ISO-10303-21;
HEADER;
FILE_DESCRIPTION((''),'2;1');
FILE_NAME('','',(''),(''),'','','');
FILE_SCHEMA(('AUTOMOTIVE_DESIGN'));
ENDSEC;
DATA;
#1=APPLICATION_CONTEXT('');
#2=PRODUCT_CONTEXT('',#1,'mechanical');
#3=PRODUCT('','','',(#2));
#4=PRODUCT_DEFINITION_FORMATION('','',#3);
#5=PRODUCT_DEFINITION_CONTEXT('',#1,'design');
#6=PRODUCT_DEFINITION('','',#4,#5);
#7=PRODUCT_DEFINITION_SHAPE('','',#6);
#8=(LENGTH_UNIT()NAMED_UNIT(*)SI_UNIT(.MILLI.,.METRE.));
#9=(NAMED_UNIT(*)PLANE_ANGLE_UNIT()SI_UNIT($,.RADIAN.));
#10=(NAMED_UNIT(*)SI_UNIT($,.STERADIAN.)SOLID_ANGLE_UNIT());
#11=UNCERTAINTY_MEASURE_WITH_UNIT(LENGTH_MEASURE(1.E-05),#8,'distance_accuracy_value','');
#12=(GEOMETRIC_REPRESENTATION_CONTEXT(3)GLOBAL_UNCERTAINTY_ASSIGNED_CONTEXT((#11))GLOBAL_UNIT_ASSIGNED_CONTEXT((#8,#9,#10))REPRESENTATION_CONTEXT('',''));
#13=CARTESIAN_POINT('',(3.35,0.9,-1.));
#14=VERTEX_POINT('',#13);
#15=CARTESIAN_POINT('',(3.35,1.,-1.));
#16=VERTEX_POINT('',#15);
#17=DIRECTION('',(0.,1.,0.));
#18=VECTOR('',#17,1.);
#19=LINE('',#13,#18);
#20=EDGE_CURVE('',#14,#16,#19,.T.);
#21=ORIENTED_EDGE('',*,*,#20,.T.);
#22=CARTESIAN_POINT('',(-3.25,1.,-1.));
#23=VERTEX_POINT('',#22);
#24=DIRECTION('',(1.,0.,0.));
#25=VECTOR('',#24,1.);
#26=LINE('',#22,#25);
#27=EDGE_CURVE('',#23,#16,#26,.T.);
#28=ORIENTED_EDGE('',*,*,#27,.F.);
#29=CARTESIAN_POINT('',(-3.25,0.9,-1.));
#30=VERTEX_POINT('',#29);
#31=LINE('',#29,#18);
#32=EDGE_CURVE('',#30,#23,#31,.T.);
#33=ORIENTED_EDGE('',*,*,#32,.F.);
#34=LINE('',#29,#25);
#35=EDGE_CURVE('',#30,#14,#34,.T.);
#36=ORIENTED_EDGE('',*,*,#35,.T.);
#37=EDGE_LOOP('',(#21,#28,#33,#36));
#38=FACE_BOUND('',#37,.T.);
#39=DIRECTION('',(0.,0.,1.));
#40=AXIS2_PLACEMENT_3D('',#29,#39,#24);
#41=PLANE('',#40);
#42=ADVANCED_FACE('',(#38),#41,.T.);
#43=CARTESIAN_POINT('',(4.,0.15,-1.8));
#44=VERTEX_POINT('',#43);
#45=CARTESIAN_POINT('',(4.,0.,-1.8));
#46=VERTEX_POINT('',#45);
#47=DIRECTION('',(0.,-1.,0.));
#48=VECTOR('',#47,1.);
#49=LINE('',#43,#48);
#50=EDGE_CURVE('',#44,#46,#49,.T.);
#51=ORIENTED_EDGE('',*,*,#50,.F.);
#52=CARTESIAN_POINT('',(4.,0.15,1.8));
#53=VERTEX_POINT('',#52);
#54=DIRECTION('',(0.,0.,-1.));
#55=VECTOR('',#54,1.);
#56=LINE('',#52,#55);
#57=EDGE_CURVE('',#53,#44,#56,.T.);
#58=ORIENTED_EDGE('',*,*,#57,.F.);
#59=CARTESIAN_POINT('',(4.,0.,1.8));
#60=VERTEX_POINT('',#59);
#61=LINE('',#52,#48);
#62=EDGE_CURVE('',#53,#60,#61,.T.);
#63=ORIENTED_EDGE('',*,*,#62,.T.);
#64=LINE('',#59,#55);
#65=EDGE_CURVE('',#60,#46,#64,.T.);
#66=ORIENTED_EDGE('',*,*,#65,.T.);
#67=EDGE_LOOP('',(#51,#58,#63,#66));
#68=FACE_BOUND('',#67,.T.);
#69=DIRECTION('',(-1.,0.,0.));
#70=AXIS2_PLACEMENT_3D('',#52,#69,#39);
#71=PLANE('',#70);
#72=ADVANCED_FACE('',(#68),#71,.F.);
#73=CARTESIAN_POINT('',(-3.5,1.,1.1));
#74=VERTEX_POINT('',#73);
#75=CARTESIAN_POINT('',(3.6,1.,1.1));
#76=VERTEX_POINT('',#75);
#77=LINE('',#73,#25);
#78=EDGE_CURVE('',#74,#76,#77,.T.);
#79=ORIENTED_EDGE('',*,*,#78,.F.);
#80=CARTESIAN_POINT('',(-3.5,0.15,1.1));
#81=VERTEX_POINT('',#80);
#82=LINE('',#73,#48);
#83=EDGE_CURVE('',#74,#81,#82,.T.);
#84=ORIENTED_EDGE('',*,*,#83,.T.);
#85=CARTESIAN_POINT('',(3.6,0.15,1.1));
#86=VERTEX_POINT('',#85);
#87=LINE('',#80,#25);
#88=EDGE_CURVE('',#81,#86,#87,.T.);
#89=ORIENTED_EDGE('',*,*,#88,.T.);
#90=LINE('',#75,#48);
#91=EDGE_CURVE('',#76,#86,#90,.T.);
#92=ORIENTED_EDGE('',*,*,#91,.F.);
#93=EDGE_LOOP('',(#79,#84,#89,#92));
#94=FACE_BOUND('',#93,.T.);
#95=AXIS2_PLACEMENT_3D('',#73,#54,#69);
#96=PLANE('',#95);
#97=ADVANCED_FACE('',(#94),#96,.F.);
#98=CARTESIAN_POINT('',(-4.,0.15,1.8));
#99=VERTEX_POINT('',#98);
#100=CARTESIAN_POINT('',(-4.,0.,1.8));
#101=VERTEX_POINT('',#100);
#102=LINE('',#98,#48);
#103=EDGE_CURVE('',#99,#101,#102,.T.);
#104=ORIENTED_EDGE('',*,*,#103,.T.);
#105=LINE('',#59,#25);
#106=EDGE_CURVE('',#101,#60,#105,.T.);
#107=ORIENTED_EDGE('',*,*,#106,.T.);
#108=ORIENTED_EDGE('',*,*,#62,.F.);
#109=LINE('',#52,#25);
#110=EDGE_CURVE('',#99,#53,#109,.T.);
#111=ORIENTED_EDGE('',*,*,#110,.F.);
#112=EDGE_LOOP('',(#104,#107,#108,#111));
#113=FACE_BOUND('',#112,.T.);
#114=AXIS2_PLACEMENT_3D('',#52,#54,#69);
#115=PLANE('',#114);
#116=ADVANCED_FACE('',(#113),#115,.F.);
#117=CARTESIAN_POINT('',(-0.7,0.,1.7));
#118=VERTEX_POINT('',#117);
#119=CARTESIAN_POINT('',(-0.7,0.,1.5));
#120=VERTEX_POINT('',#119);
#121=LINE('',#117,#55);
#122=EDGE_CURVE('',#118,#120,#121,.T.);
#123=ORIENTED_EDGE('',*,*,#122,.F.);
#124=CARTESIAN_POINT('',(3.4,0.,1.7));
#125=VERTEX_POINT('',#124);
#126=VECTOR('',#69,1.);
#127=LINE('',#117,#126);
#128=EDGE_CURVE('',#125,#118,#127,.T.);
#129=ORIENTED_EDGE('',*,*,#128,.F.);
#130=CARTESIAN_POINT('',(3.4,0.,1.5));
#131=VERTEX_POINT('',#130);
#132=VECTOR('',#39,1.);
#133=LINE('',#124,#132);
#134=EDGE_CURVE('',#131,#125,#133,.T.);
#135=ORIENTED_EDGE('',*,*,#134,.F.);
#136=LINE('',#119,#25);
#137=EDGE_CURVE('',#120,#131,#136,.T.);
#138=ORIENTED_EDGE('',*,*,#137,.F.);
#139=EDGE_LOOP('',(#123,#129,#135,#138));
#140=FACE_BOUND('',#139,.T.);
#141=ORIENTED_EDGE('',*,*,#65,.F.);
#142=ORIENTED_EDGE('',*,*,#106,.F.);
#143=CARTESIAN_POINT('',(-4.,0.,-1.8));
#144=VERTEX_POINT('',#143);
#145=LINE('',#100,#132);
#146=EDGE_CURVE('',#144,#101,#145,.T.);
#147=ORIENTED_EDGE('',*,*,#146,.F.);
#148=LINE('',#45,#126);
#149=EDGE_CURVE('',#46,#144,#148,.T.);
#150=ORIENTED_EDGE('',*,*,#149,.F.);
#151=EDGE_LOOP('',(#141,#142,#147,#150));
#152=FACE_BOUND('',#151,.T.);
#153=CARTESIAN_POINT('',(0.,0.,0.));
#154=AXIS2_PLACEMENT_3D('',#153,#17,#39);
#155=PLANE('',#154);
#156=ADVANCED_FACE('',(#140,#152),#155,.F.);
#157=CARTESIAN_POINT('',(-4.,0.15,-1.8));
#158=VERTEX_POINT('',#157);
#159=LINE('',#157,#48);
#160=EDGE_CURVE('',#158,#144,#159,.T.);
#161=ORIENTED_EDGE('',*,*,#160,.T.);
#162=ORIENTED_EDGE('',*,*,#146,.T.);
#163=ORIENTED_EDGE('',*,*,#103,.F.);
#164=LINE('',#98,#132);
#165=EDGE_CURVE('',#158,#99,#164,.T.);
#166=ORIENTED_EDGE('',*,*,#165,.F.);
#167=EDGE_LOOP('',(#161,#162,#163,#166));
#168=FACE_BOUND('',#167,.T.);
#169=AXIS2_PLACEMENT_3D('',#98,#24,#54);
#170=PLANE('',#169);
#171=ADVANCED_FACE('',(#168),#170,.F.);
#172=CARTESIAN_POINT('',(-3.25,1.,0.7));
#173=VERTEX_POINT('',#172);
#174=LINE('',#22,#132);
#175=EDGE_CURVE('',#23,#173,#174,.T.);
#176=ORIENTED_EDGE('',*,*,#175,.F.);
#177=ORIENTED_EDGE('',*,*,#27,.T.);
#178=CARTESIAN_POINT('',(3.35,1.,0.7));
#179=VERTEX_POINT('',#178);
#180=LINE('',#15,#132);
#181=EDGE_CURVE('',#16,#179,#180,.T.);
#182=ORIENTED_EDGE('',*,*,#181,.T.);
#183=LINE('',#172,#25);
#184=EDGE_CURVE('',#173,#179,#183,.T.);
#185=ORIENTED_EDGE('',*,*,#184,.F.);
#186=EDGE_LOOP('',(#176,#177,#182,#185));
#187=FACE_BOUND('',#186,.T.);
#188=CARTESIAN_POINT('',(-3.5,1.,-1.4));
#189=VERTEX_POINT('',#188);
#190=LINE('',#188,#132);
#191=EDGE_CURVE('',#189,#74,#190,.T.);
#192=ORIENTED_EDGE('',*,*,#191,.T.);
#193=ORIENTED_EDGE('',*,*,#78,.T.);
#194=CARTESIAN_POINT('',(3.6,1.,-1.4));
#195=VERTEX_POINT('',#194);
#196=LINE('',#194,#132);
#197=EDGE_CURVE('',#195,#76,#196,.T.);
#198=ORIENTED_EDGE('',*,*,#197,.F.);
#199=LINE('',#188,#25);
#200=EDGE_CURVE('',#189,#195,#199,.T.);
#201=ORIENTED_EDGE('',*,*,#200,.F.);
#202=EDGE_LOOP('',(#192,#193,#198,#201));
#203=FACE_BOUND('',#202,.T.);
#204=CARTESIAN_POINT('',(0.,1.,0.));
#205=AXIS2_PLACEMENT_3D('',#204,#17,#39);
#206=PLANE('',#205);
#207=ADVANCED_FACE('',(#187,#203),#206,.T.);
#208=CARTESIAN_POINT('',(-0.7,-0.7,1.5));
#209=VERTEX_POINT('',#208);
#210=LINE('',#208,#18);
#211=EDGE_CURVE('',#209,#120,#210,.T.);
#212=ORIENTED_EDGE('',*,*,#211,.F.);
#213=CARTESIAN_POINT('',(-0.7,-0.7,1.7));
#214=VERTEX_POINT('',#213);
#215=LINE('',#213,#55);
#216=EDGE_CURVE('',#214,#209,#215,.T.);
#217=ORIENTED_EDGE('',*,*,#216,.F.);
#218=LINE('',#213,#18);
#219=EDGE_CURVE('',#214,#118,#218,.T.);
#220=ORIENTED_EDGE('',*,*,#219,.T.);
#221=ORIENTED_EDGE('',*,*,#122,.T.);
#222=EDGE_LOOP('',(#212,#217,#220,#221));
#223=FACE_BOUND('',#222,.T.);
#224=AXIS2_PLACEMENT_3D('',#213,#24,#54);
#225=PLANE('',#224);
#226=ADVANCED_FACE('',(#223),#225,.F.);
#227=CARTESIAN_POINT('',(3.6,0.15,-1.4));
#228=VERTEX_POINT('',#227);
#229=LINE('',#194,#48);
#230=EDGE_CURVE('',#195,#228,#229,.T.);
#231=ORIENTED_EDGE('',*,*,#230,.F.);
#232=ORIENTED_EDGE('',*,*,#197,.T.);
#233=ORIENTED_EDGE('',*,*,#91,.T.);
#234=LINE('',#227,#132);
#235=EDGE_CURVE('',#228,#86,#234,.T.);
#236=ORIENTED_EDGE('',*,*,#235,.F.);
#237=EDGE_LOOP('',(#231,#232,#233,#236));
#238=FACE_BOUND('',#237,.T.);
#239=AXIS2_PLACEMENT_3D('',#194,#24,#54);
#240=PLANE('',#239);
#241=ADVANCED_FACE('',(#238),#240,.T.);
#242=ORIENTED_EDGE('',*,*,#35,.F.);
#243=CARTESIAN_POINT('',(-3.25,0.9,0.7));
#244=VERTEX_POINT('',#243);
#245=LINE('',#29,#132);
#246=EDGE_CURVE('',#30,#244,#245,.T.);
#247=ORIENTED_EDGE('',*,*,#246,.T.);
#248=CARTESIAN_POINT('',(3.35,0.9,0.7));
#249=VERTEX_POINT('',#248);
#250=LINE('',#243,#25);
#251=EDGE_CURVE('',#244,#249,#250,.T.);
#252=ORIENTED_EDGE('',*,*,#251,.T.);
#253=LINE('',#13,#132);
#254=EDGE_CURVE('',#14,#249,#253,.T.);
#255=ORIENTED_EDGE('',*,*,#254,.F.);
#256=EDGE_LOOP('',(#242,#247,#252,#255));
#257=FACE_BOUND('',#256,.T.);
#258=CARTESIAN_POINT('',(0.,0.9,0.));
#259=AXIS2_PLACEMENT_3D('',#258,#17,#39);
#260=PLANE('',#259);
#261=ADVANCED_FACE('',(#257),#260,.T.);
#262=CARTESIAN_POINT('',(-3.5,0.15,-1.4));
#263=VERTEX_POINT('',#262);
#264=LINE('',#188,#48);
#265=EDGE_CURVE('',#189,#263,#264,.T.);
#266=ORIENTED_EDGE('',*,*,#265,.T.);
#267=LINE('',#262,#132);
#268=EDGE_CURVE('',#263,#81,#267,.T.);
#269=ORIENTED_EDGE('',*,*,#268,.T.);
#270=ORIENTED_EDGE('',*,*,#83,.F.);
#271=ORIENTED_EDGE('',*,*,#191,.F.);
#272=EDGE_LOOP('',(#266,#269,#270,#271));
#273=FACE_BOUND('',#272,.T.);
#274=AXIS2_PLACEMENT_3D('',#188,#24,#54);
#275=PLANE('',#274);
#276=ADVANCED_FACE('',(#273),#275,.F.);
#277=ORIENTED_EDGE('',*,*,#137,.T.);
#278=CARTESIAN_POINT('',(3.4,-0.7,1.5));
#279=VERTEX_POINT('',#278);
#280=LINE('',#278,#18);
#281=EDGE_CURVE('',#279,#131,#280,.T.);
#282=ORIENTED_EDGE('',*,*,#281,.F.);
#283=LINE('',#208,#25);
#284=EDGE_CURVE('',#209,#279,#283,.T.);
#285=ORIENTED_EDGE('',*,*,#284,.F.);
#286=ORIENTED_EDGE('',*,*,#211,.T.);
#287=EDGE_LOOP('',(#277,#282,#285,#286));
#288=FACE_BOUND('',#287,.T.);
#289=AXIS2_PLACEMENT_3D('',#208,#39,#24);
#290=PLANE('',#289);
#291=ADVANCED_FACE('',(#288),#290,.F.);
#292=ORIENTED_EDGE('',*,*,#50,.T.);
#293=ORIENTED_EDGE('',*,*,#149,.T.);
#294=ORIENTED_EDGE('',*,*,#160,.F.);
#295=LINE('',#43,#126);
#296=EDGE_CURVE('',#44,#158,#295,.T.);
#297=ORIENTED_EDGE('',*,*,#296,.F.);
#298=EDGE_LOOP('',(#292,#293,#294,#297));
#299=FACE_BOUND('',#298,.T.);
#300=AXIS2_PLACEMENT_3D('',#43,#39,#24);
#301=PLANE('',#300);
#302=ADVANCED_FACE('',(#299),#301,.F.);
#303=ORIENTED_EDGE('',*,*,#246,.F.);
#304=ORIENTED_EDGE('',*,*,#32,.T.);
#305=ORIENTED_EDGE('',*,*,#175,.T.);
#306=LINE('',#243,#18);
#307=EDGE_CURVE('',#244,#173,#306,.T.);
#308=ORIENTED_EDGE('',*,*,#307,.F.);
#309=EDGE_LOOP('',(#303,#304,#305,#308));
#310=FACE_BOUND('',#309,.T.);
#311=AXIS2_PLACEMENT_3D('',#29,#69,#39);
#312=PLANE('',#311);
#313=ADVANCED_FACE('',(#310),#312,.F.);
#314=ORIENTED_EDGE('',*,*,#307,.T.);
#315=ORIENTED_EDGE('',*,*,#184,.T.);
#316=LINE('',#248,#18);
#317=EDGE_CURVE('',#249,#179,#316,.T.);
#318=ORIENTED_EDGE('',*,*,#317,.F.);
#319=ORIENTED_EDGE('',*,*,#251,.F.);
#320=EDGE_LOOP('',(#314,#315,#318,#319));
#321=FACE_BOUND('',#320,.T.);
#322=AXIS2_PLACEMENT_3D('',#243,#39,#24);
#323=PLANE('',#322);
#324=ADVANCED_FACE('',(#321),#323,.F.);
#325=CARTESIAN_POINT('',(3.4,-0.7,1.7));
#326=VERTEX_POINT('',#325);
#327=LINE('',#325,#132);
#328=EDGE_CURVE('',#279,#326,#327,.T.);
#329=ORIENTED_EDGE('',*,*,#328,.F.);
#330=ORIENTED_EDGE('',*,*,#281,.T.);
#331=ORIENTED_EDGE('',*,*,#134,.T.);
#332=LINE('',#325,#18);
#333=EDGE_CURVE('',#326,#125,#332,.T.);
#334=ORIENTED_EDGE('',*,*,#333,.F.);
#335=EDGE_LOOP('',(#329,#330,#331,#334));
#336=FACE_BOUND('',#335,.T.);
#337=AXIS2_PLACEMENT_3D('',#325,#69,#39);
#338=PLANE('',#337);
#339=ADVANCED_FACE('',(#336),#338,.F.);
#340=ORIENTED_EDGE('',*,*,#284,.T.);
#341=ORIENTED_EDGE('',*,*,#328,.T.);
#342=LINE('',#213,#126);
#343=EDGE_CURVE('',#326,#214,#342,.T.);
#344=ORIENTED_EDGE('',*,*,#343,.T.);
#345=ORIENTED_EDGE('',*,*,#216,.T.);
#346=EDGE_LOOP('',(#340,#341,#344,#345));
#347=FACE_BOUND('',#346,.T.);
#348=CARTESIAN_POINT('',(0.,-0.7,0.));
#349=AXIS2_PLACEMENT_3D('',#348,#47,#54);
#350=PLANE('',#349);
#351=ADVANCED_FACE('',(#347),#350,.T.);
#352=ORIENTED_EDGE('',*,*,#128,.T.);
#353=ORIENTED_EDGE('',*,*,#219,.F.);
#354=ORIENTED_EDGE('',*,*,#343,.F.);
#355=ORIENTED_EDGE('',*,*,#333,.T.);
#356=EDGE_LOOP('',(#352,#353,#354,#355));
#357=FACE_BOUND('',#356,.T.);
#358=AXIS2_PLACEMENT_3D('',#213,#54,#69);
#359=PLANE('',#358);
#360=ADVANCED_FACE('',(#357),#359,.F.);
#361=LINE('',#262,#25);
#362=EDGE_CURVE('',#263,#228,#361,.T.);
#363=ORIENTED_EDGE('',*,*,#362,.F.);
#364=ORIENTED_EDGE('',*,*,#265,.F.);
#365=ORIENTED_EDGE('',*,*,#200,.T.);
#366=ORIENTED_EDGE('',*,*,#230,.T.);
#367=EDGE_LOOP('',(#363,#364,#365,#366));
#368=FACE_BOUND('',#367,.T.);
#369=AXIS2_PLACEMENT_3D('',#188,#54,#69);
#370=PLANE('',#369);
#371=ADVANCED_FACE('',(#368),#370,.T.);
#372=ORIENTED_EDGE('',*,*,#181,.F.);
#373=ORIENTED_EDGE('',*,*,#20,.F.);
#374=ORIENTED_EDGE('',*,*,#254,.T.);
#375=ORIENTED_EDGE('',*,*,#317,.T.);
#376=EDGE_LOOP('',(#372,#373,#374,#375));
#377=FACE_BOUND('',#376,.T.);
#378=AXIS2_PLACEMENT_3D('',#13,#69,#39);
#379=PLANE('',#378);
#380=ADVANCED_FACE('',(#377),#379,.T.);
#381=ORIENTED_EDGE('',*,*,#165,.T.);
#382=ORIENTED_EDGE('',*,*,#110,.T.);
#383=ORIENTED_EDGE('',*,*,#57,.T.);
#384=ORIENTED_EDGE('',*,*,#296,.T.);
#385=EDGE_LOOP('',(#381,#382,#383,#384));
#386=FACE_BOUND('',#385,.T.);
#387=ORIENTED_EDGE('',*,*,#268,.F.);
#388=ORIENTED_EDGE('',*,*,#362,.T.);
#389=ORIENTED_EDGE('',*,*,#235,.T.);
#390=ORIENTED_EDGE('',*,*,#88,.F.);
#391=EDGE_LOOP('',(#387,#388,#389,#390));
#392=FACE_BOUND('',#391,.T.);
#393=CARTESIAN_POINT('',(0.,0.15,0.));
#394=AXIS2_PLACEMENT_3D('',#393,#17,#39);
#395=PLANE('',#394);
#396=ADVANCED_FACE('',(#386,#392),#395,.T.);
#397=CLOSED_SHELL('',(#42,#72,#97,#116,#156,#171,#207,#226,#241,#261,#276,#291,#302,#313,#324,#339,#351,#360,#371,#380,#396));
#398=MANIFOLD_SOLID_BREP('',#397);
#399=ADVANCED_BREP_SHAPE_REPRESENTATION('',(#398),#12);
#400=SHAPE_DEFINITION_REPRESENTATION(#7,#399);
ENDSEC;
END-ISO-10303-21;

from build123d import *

# Parameters (mm, degrees)
ESQUISSE1_W             = 8
ESQUISSE1_H             = 3.6
BOSS_EXTRU_1_DEPTH      = 0.15
ESQUISSE2_W             = 7.1
ESQUISSE2_H             = 2.5
BOSS_EXTRU_2_DEPTH      = 0.85
ESQUISSE3_W             = 4.1
ESQUISSE3_H             = 0.2
BOSS_EXTRU_3_DEPTH      = 0.7
ESQUISSE4_W             = 6.6
ESQUISSE4_H             = 1.7
ENL_V_MAT_EXTRU_1_DEPTH = 0.1


with BuildPart() as part:
    # Esquisse1 → Boss.-Extru.1 (new body)
    with BuildSketch(Plane(origin=(0, 0, 0), x_dir=(1, 0, 0), z_dir=(0, 1, 0))):
        Rectangle(ESQUISSE1_W, ESQUISSE1_H)
    extrude(amount=BOSS_EXTRU_1_DEPTH)

    # Esquisse2 → Boss.-Extru.2 (add)
    with BuildSketch(Plane(origin=(0, 0.15, 0), x_dir=(1, 0, 0), z_dir=(0, 1, 0))):
        with Locations((0.05, 0.15)):
            Rectangle(ESQUISSE2_W, ESQUISSE2_H)
    extrude(amount=BOSS_EXTRU_2_DEPTH)

    # Esquisse3 → Boss.-Extru.3 (add)
    with BuildSketch(Plane.XZ):
        with Locations((1.35, 1.6)):
            Rectangle(ESQUISSE3_W, ESQUISSE3_H)
    extrude(amount=BOSS_EXTRU_3_DEPTH)

    # Esquisse4 → Enlèv. mat.-Extru.1 (cut)
    with BuildSketch(Plane(origin=(0, 1, 0), x_dir=(1, 0, 0), z_dir=(0, 1, 0))):
        with Locations((0.05, 0.15)):
            Rectangle(ESQUISSE4_W, ESQUISSE4_H)
    extrude(amount=-ENL_V_MAT_EXTRU_1_DEPTH, mode=Mode.SUBTRACT)


solid = part.part
